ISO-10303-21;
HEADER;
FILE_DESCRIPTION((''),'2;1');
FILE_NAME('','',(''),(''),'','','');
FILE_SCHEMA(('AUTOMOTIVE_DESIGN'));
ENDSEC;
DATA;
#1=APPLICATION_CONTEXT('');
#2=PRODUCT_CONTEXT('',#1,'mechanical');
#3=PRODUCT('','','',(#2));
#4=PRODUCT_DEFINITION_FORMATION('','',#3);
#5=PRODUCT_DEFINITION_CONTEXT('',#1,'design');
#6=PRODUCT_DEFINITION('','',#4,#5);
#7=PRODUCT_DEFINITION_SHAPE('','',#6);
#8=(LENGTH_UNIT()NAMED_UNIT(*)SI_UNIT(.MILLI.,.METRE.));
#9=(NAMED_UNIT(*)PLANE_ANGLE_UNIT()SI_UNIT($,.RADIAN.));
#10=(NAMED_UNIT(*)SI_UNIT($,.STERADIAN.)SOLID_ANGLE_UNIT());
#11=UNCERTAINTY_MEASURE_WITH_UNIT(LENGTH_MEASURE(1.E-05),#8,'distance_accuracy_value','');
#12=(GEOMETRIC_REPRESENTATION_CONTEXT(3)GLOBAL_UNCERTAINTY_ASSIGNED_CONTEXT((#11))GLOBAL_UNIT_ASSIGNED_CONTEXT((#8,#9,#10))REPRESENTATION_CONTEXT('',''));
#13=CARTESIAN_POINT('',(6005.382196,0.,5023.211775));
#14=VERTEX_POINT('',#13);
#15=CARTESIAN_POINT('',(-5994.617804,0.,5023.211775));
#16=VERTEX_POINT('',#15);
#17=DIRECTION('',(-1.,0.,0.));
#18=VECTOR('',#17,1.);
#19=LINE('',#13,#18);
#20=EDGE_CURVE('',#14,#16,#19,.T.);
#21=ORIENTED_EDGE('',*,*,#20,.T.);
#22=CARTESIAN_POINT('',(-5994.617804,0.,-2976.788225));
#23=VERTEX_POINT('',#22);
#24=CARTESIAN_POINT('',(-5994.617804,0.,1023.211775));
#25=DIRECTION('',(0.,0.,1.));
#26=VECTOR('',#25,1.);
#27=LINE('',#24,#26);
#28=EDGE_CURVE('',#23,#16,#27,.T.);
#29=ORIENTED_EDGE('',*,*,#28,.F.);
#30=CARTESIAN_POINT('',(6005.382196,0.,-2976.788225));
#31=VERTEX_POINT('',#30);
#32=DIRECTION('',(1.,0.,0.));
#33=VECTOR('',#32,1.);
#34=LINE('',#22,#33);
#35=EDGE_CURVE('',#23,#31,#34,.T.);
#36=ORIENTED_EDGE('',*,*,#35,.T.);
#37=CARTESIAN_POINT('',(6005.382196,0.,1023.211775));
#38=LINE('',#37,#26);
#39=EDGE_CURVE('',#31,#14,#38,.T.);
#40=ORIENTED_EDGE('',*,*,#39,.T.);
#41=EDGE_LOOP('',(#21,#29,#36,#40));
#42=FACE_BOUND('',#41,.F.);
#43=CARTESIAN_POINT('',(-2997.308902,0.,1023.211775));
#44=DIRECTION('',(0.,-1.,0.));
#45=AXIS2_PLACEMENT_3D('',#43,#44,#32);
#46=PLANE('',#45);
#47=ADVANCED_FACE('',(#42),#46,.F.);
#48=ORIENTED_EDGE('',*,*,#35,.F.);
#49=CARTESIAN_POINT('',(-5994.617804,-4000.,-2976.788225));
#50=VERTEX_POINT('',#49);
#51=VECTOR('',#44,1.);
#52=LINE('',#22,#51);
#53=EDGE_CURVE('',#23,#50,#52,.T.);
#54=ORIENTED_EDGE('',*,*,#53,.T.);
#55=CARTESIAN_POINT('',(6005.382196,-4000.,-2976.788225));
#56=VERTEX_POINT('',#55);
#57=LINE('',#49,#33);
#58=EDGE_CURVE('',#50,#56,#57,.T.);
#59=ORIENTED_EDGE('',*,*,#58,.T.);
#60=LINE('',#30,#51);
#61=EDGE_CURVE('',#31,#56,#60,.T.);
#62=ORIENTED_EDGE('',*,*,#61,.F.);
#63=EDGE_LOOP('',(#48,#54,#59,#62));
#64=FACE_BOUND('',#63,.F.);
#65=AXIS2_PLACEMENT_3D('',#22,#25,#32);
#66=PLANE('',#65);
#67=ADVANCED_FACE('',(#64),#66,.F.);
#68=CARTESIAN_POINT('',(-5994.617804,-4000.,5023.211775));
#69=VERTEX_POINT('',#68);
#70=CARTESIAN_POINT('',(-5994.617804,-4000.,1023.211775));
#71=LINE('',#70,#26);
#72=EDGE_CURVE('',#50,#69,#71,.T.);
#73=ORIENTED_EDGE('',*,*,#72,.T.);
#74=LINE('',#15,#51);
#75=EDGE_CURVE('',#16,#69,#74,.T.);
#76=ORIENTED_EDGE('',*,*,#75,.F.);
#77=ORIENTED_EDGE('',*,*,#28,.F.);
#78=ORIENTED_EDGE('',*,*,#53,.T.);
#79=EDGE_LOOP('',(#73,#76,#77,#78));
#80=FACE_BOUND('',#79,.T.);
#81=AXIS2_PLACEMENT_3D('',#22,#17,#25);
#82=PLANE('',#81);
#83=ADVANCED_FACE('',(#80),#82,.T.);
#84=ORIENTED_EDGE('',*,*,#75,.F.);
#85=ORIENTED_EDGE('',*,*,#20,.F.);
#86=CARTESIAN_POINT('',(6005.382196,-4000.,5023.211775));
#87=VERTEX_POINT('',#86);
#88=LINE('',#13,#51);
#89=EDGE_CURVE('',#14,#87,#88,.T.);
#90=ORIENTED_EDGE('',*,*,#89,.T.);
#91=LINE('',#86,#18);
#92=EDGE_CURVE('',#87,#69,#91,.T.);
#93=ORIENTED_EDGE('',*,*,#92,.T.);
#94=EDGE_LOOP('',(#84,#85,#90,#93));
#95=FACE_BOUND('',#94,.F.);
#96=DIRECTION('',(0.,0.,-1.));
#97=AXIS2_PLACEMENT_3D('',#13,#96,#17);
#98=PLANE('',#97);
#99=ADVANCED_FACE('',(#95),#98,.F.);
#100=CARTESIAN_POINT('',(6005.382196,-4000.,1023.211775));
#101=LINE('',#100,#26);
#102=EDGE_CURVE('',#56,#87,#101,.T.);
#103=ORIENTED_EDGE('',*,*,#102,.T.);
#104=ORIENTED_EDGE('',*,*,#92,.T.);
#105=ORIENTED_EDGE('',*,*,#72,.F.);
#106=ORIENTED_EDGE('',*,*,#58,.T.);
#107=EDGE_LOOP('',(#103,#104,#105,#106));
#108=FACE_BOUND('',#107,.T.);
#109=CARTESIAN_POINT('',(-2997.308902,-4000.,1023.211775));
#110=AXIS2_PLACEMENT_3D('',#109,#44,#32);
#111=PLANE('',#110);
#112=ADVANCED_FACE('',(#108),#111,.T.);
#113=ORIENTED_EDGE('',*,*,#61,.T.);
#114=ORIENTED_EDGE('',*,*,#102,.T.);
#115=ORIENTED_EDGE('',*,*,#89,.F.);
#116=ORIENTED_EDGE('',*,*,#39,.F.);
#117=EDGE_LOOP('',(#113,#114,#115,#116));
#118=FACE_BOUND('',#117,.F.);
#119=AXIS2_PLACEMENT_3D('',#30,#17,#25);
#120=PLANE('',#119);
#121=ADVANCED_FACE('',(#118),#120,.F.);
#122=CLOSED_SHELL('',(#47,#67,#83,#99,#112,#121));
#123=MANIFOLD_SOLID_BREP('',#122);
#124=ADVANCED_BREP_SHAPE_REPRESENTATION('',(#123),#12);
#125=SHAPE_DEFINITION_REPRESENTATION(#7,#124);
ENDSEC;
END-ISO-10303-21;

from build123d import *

# Parameters (mm, degrees)
F0_W     = 5994.617803
F0_H     = 8000
F0_W_2   = 6005.382197
F1_DEPTH = 4000


with BuildPart() as f1:
    # F0 (on Front) → F1 (new body)
    with BuildSketch(Plane.XZ):
        with Locations((-2997.308902, 1023.211775)):
            Rectangle(F0_W, F0_H)
        with Locations((3002.691098, 1023.211775)):
            Rectangle(F0_W_2, F0_H)
    extrude(amount=F1_DEPTH)


solid = f1.part
